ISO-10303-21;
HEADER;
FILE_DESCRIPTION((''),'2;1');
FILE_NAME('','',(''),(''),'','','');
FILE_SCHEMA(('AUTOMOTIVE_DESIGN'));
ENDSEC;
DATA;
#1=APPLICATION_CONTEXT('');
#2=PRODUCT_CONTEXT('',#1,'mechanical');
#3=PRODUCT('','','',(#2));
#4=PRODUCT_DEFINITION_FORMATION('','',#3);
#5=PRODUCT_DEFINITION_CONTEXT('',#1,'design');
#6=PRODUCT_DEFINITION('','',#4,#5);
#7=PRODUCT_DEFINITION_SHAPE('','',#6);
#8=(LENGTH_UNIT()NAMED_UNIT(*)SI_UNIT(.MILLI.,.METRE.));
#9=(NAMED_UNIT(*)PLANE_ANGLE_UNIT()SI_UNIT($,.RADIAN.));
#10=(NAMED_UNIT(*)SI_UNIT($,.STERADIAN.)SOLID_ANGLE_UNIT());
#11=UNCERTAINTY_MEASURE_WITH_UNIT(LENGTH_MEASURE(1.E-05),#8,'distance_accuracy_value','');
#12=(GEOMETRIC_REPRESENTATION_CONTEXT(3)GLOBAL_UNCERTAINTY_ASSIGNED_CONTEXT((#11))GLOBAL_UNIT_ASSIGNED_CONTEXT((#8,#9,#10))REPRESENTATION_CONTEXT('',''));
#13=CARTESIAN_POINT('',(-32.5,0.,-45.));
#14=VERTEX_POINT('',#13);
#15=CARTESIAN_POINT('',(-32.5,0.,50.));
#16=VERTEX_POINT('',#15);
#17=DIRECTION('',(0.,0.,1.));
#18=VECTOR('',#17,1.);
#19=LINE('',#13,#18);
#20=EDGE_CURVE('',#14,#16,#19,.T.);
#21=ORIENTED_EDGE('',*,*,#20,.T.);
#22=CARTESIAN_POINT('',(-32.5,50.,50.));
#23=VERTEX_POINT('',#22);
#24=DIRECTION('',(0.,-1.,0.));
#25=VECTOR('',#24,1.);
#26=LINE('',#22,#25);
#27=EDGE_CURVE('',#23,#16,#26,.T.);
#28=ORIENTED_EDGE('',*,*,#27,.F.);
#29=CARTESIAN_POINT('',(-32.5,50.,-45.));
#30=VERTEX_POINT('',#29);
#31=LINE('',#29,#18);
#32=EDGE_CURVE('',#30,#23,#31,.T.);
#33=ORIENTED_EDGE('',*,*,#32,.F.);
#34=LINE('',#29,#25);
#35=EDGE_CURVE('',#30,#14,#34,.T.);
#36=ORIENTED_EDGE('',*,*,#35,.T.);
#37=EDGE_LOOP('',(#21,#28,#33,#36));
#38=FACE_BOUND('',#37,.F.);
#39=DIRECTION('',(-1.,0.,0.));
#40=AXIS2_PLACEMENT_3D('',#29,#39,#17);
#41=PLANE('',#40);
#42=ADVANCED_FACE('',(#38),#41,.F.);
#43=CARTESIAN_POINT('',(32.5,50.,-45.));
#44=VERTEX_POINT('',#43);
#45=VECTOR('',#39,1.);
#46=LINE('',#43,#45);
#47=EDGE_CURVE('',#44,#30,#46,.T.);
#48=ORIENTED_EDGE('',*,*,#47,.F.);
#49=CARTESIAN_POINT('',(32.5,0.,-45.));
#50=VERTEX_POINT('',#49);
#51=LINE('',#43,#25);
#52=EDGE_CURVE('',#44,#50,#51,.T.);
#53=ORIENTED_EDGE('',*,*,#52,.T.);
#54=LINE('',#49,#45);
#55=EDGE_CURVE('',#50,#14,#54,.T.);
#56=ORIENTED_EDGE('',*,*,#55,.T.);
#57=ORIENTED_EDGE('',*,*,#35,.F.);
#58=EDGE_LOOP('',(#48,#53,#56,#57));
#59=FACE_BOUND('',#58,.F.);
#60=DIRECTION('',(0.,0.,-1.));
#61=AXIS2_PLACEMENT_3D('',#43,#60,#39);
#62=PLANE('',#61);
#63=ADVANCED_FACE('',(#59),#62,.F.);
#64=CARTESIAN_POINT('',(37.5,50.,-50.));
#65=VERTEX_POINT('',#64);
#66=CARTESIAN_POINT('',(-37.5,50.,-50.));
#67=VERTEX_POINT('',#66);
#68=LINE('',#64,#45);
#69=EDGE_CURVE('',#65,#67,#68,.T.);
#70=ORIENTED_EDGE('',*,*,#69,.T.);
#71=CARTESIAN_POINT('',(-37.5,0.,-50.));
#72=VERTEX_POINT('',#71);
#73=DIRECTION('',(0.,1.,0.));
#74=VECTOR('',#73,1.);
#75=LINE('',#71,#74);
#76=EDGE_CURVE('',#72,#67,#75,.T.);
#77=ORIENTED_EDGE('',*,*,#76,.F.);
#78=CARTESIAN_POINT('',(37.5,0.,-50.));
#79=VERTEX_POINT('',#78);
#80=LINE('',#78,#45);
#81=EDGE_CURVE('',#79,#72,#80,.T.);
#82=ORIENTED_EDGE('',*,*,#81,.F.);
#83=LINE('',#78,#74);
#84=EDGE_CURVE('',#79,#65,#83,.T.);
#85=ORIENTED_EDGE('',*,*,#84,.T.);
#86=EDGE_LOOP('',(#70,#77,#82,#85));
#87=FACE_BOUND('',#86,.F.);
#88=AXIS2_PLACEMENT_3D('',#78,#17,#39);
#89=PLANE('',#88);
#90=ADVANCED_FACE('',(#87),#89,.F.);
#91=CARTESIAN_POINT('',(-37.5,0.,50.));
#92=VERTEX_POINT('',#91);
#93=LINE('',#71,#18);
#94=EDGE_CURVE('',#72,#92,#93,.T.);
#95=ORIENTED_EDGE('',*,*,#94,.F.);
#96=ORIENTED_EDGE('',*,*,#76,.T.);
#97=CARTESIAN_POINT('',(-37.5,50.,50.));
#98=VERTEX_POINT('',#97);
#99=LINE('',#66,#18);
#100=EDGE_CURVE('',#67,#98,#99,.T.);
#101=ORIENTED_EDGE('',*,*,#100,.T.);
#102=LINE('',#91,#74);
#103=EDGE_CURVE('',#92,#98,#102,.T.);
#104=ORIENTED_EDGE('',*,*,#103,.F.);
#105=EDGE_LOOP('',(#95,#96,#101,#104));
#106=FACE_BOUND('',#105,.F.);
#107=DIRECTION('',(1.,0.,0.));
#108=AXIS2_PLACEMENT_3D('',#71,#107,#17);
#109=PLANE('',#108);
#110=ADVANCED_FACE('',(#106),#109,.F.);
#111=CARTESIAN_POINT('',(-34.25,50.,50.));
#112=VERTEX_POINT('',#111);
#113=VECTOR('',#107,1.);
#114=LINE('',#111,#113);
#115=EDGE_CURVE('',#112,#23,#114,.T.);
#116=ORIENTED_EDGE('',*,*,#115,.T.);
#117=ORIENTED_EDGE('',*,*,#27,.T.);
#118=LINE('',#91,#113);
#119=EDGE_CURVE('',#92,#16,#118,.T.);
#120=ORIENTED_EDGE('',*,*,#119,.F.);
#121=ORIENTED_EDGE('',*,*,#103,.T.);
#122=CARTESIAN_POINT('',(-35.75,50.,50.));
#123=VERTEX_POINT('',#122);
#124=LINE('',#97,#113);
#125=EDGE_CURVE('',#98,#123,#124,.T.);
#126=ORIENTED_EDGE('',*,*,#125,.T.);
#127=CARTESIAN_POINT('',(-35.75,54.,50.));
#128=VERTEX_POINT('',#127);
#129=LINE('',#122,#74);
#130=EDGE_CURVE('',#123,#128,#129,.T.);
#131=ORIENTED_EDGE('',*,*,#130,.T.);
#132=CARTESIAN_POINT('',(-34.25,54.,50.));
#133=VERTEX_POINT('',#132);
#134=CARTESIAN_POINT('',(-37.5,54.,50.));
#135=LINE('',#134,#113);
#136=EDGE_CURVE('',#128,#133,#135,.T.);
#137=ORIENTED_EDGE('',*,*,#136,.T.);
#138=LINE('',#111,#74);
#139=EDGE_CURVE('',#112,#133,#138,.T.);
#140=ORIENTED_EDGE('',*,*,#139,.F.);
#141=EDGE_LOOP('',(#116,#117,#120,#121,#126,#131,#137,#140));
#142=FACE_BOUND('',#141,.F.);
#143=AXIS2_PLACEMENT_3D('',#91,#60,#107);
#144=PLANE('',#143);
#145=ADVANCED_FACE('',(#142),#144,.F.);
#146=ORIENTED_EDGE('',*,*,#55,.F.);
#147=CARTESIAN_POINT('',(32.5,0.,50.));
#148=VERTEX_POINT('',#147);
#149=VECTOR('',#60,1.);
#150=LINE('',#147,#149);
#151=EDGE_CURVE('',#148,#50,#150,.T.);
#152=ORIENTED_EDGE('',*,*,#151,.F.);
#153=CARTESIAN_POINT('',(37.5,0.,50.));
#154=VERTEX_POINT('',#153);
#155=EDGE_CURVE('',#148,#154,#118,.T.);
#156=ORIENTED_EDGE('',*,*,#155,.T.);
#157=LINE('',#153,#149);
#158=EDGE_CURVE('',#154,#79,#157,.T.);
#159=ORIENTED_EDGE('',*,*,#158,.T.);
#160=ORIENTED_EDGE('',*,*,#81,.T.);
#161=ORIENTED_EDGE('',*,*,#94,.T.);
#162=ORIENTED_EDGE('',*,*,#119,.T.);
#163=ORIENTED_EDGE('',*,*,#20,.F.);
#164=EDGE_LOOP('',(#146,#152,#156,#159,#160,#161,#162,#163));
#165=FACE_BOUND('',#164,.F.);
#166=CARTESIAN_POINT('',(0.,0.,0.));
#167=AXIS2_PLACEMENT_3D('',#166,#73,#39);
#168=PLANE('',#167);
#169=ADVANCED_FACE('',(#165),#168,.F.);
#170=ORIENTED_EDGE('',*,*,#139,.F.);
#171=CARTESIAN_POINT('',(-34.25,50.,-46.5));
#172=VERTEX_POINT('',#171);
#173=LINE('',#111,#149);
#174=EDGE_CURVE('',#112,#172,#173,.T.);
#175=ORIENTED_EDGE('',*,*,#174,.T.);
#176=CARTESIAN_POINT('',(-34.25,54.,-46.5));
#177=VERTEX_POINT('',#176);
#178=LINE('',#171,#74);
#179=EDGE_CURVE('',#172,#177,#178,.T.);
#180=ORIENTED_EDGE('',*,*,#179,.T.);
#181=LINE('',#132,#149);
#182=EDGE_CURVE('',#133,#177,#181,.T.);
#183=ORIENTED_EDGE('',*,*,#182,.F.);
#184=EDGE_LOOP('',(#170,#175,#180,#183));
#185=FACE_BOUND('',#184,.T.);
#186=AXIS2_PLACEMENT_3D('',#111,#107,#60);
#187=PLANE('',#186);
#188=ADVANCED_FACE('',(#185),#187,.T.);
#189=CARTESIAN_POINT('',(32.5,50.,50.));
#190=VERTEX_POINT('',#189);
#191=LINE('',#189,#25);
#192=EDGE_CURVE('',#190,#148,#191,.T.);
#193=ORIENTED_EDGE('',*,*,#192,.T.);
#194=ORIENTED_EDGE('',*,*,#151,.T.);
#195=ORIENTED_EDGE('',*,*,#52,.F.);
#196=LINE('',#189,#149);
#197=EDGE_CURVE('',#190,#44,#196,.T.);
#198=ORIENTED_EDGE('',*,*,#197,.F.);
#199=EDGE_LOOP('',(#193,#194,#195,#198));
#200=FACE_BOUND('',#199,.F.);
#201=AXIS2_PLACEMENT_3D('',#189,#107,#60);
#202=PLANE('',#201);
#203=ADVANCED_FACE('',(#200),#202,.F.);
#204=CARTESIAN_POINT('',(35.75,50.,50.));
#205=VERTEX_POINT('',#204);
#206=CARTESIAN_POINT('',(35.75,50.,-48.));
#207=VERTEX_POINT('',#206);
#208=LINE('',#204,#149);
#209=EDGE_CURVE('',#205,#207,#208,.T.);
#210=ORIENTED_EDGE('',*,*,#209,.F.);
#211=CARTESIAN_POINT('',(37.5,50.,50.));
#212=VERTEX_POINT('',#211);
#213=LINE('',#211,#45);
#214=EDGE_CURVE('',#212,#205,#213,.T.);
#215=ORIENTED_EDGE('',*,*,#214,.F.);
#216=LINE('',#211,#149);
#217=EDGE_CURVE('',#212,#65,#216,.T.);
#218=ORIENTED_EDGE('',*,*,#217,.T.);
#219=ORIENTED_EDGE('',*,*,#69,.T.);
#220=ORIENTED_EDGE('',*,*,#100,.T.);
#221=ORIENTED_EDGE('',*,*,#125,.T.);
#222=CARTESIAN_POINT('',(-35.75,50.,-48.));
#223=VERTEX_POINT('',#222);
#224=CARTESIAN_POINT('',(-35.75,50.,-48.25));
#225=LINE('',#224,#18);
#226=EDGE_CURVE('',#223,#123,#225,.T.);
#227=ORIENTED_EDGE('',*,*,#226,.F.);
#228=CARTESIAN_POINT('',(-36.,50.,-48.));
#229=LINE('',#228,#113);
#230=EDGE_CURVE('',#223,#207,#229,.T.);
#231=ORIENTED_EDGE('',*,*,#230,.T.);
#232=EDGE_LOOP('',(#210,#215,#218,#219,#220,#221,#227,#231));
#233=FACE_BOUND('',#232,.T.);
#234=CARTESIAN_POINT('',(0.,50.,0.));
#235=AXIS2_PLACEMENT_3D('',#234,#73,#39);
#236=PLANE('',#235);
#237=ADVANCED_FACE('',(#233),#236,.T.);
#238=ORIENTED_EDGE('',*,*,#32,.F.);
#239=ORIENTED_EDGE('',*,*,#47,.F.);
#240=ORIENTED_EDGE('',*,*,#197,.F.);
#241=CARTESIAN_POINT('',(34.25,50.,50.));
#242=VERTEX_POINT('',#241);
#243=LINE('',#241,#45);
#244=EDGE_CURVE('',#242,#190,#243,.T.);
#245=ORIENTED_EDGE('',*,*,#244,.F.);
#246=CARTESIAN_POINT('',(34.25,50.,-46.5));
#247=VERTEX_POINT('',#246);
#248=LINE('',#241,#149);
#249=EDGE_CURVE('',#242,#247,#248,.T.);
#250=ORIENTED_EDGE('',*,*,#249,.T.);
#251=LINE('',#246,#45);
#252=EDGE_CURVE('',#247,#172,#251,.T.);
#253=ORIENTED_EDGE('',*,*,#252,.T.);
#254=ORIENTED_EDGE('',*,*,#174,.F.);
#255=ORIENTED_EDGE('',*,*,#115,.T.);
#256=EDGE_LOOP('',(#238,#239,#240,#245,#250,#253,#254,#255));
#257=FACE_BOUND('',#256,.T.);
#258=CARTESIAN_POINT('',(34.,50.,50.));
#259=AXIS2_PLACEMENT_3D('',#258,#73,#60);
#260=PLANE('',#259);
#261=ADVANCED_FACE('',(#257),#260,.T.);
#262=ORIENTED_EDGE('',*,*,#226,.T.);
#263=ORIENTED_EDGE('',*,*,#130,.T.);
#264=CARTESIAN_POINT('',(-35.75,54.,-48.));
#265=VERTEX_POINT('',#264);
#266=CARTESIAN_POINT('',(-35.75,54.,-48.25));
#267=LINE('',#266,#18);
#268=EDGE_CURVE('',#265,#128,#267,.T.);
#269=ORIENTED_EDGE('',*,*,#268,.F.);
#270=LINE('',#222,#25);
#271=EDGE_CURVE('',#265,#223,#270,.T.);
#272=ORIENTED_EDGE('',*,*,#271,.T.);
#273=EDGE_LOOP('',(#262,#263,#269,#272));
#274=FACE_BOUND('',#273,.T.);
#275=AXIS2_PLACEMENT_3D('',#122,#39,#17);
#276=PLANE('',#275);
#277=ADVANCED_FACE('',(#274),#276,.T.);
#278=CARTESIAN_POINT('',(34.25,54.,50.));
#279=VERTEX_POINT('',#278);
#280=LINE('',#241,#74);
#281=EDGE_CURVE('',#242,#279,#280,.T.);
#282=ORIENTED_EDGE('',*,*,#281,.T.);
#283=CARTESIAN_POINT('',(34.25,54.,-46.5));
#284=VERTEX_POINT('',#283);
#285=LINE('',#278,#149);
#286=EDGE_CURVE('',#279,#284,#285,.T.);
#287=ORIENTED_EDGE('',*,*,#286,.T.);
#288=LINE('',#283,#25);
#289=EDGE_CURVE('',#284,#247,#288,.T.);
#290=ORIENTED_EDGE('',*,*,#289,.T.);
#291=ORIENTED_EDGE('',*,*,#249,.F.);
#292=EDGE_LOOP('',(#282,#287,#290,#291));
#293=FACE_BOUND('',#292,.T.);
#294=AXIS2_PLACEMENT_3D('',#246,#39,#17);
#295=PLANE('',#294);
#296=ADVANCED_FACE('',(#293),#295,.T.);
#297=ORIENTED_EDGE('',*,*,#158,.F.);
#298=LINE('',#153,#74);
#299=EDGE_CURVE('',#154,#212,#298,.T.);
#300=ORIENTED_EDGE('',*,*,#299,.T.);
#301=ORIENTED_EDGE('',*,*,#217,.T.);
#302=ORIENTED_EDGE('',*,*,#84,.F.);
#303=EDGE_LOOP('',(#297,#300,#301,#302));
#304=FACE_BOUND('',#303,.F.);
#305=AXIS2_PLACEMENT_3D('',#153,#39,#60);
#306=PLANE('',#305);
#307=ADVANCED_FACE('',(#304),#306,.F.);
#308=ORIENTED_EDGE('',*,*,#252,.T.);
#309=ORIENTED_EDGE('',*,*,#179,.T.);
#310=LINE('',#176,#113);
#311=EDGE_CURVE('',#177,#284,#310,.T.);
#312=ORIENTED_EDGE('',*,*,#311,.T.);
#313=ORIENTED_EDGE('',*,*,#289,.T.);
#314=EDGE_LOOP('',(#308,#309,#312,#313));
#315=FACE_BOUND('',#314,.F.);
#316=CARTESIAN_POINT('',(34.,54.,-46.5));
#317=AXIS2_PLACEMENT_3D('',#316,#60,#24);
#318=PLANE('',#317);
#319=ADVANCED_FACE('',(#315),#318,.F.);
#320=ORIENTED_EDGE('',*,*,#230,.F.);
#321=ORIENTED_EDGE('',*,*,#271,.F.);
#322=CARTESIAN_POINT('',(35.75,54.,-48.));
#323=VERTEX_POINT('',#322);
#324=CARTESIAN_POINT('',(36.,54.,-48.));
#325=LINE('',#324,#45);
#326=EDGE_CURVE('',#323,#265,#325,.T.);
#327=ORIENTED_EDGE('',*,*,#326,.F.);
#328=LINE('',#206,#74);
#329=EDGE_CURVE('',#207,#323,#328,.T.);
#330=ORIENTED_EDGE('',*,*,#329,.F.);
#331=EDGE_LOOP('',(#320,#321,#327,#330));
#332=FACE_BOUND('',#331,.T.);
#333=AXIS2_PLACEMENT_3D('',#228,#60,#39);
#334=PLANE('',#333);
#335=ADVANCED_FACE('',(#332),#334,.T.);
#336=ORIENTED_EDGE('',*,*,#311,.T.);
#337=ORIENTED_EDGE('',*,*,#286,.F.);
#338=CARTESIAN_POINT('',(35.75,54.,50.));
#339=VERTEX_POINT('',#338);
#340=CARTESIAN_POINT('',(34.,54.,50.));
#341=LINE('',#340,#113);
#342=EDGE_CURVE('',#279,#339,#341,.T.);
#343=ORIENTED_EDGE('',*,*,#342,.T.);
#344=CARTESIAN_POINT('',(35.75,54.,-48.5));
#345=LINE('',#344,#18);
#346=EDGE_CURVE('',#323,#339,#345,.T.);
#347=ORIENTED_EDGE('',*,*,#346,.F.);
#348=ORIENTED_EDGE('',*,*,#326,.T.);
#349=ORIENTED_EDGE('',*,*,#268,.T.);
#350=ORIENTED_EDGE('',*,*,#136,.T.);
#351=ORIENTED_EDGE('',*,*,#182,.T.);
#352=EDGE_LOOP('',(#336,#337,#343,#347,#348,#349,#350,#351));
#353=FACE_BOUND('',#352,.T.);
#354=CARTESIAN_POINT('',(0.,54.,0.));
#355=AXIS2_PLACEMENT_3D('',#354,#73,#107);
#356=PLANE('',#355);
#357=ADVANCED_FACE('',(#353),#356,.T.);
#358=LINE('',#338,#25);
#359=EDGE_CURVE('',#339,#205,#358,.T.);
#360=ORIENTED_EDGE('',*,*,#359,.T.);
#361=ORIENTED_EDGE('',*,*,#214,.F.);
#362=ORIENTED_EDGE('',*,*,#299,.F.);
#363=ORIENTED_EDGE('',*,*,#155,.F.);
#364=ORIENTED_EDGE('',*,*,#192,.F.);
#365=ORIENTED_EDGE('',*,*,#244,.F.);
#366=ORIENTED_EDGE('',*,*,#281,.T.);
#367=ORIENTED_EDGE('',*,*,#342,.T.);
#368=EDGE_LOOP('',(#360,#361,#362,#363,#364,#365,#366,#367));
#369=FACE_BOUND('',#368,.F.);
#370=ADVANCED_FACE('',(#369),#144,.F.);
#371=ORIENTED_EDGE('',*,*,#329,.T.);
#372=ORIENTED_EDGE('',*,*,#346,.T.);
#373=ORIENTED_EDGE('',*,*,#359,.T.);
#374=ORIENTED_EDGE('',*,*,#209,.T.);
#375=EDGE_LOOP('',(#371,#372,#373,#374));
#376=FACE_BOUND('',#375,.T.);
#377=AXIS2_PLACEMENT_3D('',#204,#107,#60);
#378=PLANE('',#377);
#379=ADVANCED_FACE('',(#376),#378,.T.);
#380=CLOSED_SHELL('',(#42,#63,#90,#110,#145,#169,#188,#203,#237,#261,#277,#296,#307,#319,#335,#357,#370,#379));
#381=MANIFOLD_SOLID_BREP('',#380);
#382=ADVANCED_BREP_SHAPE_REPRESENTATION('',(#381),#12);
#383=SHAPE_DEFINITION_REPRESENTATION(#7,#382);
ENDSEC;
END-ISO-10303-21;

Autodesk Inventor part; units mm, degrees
ref_plane "YZ Plane" through (0, 0, 0) normal (1, 0, 0) x (0, 1, 0)
ref_plane "XZ Plane" through (0, 0, 0) normal (0, 1, 0) x (-1, 0, 0)
ref_plane "XY Plane" through (0, 0, 0) normal (0, 0, 1) x (1, 0, 0)
sketch "Sketch1" plane through (0, 0, 0) normal (0, 1, 0) x (-1, 0, 0)
  line L0 (-37.5, -50) -> (37.5, -50)
  line L1 (37.5, -50) -> (37.5, 50)
  line L2 (37.5, 50) -> (-37.5, 50)
  line L3 (-37.5, 50) -> (-37.5, -50)
  line L4 (-37.5, -50) -> (37.5, 50) construction
  line L5 (37.5, -50) -> (-37.5, 50) construction
  point P0 (0, 0)
  dimension "d0" = 75
  dimension "d1" = 100
extrude "Extrusion1" add sketch "Sketch1" along normal blind 50
sketch "Sketch2" plane through (0, 50, 0) normal (0, 1, 0) x (1, 0, 0)
  line L0 (-37.5, -50) -> (37.5, -50) projected
  line L1 (-32.5, -50) -> (32.5, -50)
  line L2 (32.5, -50) -> (32.5, 45)
  line L3 (32.5, 45) -> (-32.5, 45)
  line L4 (-32.5, 45) -> (-32.5, -50)
  point P0 (0, 0)
  dimension "d4" = 65
  dimension "d5" = 95
extrude "Extrusion2" cut sketch "Sketch2" against normal blind 50
sketch "Sketch3" plane through (0, 50, 0) normal (0, 1, 0) x (1, 0, 0)
  line L0 (-37.5, -50) -> (-32.5, -50) projected
  line L1 (-36, -50) -> (-34, -50)
  line L2 (-34, -50) -> (-34, 48.5)
  line L3 (-34, 48.5) -> (-36, 48.5)
  line L4 (-36, 48.5) -> (-36, -50)
  line L5 (-36, 48.5) -> (36, 48.5)
  line L6 (36, 48.5) -> (36, 46.5)
  line L7 (36, 46.5) -> (-36, 46.5)
  line L8 (-36, 46.5) -> (-36, 48.5)
  line L9 (36, 48.5) -> (34, 48.5)
  line L10 (34, 48.5) -> (34, -50)
  line L11 (34, -50) -> (36, -50)
  line L12 (36, -50) -> (36, 48.5)
  point P0 (0, 0)
  dimension "d8" = 2
  dimension "d9" = 98.5
  dimension "d10" = 72
  dimension "d11" = 2
extrude "Extrusion3" add sketch "Sketch3" along normal blind 4
sketch "Sketch4" plane through (36, 50, 50) normal (1, 0, 0) x (0, 0, -1)
  line L0 (0, 0) -> (100, 0) projected
  line L1 (98.5, 0) -> (98.5, 4) projected
  line L2 (0, 0) -> (98.5, 0)
  line L3 (98.5, 0) -> (98.5, 4)
  line L4 (98.5, 4) -> (0, 4)
  line L5 (0, 4) -> (0, 0)
  point P0 (50, -50)
extrude "Extrusion4" cut sketch "Sketch4" against normal blind 0.25
sketch "Sketch5" plane through (34, 50, -46.5) normal (-1, 0, 0) x (0, 0, 1)
  line L0 (96.5, 0) -> (96.5, 4) projected
  line L1 (96.5, 0) -> (0, 0) projected
  line L2 (96.5, 4) -> (0, 4)
  line L3 (0, 4) -> (0, 0)
  line L4 (0, 0) -> (96.5, 0)
  line L5 (96.5, 0) -> (96.5, 4)
  point P0 (46.5, -50)
extrude "Extrusion5" cut sketch "Sketch5" against normal blind 0.25
sketch "Sketch6" plane through (-36, 50, -48.5) normal (0, 0, -1) x (-1, 0, 0)
  line L0 (-71.75, 4) -> (0, 4) projected
  line L1 (0, 0) -> (-71.75, 0) projected
  line L2 (0, 4) -> (-71.75, 4)
  line L3 (-71.75, 4) -> (-71.75, 0)
  line L4 (-71.75, 0) -> (0, 0)
  line L5 (0, 0) -> (0, 4)
  point P0 (-36, -50)
extrude "Extrusion6" cut sketch "Sketch6" against normal blind 0.25
sketch "Sketch7" plane through (-34, 50, 50) normal (1, 0, 0) x (0, 0, -1)
  line L0 (0, 0) -> (0, 4) projected
  line L1 (0, 4) -> (96.5, 4) projected
  line L2 (0, 0) -> (96.5, 0)
  line L3 (96.5, 0) -> (96.5, 4)
  line L4 (96.5, 4) -> (0, 4)
  line L5 (0, 4) -> (0, 0)
  point P0 (50, -50)
extrude "Extrusion7" cut sketch "Sketch7" against normal blind 0.25
sketch "Sketch8" plane through (-36, 50, 50) normal (-1, 0, 0) x (0, 0, 1)
  line L0 (0, 4) -> (-96.5, 4) projected
  line L1 (-98.25, 0) -> (0, 0) projected
  line L2 (0, 4) -> (-98.25, 4)
  line L3 (-98.25, 4) -> (-98.25, 0)
  line L4 (-98.25, 0) -> (0, 0)
  line L5 (0, 0) -> (0, 4)
  point P0 (-50, -50)
extrude "Extrusion8" cut sketch "Sketch8" against normal blind 0.25
sketch "Sketch9" plane through (-36, 50, -48.25) normal (0, 0, -1) x (-1, 0, 0)
  line L0 (-72, 4) -> (0, 4)
  line L1 (0, 4) -> (0, 0)
  line L2 (0, 0) -> (-72, 0)
  line L3 (-72, 0) -> (-72, 4)
  point P0 (-36, -50)
extrude "Extrusion9" cut sketch "Sketch9" against normal blind 0.25
properties part number "tb3_start_walls_v2"
